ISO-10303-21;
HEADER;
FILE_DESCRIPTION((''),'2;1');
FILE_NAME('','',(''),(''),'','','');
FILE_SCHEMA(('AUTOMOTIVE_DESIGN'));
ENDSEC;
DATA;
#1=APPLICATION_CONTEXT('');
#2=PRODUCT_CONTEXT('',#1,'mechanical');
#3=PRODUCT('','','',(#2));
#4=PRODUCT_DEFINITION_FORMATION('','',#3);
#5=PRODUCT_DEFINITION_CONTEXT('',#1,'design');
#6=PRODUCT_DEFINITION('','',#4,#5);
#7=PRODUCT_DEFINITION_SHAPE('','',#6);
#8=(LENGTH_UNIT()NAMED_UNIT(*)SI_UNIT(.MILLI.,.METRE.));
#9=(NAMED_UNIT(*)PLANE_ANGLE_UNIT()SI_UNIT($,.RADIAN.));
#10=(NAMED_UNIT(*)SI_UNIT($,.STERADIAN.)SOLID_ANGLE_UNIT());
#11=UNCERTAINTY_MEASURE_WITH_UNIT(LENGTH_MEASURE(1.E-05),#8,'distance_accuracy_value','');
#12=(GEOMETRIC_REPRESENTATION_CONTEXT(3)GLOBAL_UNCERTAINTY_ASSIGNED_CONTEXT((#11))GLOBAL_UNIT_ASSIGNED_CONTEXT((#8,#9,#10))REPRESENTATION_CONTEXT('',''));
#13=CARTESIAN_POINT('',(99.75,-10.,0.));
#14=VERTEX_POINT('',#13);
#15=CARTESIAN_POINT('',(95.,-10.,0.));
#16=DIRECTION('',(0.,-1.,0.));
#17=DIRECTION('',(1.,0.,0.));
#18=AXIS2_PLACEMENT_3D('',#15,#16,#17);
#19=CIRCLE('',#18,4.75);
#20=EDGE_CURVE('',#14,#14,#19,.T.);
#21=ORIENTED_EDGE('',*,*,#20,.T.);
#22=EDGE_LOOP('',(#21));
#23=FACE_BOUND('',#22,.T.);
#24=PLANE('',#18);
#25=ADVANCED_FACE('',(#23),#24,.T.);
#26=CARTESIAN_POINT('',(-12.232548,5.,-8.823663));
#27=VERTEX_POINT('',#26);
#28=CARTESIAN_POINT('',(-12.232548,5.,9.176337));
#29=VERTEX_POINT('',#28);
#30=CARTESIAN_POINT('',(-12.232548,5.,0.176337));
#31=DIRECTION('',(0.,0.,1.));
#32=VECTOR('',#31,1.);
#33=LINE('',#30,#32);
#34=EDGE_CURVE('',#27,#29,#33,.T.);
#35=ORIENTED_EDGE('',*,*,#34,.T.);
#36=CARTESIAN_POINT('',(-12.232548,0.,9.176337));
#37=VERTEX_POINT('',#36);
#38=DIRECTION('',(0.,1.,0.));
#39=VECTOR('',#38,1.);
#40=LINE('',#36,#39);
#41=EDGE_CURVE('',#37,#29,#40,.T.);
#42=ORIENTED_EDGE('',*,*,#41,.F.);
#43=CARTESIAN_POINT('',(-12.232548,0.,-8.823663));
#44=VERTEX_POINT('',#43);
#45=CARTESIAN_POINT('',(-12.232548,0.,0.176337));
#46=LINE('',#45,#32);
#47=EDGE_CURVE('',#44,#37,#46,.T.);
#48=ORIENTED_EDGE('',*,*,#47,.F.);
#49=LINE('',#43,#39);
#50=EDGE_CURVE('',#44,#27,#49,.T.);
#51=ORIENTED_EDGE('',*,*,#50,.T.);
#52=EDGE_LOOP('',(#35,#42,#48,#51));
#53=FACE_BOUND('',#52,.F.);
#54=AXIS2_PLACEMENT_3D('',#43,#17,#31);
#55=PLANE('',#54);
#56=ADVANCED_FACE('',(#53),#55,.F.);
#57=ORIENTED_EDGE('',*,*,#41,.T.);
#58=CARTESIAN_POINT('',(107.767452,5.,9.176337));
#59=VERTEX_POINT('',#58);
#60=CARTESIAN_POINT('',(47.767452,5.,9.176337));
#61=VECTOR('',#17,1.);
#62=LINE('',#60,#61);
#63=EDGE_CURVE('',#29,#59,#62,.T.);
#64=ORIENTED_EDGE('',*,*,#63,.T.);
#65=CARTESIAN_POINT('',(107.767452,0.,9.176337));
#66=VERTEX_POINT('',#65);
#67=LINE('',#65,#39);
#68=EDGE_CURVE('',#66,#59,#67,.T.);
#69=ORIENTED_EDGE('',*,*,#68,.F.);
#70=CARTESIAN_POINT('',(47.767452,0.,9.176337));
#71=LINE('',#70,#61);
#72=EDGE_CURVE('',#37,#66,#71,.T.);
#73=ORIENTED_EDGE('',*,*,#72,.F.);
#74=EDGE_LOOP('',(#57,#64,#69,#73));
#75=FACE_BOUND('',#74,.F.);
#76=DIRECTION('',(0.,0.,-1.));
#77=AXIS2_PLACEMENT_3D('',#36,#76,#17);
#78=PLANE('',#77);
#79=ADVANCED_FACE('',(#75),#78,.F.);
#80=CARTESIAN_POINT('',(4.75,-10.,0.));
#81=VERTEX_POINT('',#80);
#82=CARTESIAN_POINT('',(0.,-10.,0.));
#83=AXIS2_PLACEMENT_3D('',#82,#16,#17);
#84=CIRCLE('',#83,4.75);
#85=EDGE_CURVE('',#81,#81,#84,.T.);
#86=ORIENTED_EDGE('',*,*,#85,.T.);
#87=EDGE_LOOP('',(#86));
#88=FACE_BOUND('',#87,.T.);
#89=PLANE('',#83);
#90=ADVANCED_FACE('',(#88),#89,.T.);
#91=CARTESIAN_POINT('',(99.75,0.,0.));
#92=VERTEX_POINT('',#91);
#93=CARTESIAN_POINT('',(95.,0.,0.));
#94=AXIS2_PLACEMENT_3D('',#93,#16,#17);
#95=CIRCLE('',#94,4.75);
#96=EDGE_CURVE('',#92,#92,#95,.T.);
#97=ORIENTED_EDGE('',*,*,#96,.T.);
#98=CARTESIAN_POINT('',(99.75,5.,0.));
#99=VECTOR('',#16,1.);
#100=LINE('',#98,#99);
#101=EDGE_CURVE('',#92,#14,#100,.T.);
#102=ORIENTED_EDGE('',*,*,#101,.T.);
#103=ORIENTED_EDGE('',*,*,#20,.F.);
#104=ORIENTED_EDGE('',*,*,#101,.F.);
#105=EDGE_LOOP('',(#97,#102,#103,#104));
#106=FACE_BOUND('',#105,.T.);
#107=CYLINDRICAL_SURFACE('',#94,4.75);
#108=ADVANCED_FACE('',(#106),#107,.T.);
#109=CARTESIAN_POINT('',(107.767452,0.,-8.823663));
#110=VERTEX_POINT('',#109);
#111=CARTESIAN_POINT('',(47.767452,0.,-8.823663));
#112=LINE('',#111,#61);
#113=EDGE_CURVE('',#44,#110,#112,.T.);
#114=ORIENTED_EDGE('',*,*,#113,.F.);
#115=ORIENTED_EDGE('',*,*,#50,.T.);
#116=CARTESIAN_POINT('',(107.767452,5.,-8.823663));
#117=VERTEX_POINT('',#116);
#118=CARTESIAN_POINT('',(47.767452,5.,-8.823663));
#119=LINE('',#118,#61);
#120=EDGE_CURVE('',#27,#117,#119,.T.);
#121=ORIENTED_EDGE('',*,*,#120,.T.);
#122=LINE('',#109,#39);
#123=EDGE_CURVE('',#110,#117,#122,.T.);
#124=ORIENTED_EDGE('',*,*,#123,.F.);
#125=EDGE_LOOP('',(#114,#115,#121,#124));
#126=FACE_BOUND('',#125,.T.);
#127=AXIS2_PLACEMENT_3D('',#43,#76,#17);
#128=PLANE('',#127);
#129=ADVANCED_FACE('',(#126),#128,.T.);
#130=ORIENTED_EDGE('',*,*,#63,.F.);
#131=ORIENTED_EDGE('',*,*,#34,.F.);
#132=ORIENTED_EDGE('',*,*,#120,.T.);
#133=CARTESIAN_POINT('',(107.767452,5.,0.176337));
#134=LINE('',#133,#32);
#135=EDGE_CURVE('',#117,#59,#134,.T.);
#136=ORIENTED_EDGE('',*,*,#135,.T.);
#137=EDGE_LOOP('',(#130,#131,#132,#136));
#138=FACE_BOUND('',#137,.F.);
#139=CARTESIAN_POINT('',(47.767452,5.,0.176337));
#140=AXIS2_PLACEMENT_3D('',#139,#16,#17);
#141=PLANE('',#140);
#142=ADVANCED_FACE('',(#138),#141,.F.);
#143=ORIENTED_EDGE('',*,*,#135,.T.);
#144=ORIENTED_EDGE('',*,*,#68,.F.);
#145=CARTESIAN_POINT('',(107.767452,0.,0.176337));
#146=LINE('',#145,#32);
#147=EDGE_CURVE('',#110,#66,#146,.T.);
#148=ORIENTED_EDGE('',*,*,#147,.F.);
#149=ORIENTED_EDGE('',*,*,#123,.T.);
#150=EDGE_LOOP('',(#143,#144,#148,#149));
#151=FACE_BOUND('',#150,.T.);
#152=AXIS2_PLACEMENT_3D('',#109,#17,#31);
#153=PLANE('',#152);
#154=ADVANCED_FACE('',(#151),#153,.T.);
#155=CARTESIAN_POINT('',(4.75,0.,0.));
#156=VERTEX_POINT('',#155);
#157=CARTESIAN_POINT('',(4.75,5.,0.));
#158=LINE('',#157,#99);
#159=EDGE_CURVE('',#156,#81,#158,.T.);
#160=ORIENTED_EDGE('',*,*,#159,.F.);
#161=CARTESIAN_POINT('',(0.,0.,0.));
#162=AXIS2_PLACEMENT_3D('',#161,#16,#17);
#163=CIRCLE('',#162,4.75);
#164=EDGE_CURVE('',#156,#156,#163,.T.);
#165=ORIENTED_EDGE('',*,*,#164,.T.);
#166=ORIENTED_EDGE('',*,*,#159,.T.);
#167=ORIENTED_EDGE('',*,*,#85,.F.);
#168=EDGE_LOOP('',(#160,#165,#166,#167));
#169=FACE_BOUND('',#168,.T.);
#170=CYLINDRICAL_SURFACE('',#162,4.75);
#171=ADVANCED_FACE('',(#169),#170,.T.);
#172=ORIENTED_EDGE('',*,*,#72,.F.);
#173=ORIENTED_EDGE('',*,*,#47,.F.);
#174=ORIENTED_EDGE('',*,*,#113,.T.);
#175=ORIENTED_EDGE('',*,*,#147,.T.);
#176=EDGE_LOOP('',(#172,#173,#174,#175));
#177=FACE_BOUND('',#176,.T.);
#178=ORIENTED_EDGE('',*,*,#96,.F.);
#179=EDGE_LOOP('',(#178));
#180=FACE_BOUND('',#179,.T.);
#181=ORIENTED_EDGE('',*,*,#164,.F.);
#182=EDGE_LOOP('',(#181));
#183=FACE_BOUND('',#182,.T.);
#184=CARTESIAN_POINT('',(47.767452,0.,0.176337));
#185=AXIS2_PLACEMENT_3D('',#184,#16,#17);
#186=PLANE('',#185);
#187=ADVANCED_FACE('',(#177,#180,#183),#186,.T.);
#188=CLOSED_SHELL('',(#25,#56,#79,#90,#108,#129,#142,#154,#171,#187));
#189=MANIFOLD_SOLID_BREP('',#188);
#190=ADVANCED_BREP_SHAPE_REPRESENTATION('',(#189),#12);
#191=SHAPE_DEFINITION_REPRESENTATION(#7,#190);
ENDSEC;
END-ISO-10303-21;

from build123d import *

# Parameters (mm, degrees)
F0_R          = 4.75
F1_DEPTH      = 10
F1_DEPTH_BACK = 5
F0_W          = 120
F0_H          = 18
F2_DEPTH      = 5


with BuildPart() as f1:
    # F0 (on Front) → F1 (new body, two sides)
    with BuildSketch(Plane.XZ) as f1_sk:
        Circle(F0_R)
    extrude(amount=F1_DEPTH)
    extrude(f1_sk.sketch, amount=-F1_DEPTH_BACK)



with BuildPart() as f1b:
    # F0 (on Front) → F1, piece 2 (new body, two sides)
    with BuildSketch(Plane.XZ) as f1_2_sk:
        with Locations((95, 0)):
            Circle(F0_R)
    extrude(amount=F1_DEPTH)
    extrude(f1_2_sk.sketch, amount=-F1_DEPTH_BACK)


with BuildPart() as f1_1:
    add(f1.part)

    add(f1b.part)  # F2 merges F1b
    # F0 (on Front) → F2 (join)
    with BuildSketch(Plane.XZ):
        with Locations((47.7674523741, 0.1763370037)):
            Rectangle(F0_W, F0_H)
        Circle(F0_R, mode=Mode.SUBTRACT)
        with Locations((95, 0)):
            Circle(F0_R, mode=Mode.SUBTRACT)
    extrude(amount=-F2_DEPTH)


solid = f1_1.part
